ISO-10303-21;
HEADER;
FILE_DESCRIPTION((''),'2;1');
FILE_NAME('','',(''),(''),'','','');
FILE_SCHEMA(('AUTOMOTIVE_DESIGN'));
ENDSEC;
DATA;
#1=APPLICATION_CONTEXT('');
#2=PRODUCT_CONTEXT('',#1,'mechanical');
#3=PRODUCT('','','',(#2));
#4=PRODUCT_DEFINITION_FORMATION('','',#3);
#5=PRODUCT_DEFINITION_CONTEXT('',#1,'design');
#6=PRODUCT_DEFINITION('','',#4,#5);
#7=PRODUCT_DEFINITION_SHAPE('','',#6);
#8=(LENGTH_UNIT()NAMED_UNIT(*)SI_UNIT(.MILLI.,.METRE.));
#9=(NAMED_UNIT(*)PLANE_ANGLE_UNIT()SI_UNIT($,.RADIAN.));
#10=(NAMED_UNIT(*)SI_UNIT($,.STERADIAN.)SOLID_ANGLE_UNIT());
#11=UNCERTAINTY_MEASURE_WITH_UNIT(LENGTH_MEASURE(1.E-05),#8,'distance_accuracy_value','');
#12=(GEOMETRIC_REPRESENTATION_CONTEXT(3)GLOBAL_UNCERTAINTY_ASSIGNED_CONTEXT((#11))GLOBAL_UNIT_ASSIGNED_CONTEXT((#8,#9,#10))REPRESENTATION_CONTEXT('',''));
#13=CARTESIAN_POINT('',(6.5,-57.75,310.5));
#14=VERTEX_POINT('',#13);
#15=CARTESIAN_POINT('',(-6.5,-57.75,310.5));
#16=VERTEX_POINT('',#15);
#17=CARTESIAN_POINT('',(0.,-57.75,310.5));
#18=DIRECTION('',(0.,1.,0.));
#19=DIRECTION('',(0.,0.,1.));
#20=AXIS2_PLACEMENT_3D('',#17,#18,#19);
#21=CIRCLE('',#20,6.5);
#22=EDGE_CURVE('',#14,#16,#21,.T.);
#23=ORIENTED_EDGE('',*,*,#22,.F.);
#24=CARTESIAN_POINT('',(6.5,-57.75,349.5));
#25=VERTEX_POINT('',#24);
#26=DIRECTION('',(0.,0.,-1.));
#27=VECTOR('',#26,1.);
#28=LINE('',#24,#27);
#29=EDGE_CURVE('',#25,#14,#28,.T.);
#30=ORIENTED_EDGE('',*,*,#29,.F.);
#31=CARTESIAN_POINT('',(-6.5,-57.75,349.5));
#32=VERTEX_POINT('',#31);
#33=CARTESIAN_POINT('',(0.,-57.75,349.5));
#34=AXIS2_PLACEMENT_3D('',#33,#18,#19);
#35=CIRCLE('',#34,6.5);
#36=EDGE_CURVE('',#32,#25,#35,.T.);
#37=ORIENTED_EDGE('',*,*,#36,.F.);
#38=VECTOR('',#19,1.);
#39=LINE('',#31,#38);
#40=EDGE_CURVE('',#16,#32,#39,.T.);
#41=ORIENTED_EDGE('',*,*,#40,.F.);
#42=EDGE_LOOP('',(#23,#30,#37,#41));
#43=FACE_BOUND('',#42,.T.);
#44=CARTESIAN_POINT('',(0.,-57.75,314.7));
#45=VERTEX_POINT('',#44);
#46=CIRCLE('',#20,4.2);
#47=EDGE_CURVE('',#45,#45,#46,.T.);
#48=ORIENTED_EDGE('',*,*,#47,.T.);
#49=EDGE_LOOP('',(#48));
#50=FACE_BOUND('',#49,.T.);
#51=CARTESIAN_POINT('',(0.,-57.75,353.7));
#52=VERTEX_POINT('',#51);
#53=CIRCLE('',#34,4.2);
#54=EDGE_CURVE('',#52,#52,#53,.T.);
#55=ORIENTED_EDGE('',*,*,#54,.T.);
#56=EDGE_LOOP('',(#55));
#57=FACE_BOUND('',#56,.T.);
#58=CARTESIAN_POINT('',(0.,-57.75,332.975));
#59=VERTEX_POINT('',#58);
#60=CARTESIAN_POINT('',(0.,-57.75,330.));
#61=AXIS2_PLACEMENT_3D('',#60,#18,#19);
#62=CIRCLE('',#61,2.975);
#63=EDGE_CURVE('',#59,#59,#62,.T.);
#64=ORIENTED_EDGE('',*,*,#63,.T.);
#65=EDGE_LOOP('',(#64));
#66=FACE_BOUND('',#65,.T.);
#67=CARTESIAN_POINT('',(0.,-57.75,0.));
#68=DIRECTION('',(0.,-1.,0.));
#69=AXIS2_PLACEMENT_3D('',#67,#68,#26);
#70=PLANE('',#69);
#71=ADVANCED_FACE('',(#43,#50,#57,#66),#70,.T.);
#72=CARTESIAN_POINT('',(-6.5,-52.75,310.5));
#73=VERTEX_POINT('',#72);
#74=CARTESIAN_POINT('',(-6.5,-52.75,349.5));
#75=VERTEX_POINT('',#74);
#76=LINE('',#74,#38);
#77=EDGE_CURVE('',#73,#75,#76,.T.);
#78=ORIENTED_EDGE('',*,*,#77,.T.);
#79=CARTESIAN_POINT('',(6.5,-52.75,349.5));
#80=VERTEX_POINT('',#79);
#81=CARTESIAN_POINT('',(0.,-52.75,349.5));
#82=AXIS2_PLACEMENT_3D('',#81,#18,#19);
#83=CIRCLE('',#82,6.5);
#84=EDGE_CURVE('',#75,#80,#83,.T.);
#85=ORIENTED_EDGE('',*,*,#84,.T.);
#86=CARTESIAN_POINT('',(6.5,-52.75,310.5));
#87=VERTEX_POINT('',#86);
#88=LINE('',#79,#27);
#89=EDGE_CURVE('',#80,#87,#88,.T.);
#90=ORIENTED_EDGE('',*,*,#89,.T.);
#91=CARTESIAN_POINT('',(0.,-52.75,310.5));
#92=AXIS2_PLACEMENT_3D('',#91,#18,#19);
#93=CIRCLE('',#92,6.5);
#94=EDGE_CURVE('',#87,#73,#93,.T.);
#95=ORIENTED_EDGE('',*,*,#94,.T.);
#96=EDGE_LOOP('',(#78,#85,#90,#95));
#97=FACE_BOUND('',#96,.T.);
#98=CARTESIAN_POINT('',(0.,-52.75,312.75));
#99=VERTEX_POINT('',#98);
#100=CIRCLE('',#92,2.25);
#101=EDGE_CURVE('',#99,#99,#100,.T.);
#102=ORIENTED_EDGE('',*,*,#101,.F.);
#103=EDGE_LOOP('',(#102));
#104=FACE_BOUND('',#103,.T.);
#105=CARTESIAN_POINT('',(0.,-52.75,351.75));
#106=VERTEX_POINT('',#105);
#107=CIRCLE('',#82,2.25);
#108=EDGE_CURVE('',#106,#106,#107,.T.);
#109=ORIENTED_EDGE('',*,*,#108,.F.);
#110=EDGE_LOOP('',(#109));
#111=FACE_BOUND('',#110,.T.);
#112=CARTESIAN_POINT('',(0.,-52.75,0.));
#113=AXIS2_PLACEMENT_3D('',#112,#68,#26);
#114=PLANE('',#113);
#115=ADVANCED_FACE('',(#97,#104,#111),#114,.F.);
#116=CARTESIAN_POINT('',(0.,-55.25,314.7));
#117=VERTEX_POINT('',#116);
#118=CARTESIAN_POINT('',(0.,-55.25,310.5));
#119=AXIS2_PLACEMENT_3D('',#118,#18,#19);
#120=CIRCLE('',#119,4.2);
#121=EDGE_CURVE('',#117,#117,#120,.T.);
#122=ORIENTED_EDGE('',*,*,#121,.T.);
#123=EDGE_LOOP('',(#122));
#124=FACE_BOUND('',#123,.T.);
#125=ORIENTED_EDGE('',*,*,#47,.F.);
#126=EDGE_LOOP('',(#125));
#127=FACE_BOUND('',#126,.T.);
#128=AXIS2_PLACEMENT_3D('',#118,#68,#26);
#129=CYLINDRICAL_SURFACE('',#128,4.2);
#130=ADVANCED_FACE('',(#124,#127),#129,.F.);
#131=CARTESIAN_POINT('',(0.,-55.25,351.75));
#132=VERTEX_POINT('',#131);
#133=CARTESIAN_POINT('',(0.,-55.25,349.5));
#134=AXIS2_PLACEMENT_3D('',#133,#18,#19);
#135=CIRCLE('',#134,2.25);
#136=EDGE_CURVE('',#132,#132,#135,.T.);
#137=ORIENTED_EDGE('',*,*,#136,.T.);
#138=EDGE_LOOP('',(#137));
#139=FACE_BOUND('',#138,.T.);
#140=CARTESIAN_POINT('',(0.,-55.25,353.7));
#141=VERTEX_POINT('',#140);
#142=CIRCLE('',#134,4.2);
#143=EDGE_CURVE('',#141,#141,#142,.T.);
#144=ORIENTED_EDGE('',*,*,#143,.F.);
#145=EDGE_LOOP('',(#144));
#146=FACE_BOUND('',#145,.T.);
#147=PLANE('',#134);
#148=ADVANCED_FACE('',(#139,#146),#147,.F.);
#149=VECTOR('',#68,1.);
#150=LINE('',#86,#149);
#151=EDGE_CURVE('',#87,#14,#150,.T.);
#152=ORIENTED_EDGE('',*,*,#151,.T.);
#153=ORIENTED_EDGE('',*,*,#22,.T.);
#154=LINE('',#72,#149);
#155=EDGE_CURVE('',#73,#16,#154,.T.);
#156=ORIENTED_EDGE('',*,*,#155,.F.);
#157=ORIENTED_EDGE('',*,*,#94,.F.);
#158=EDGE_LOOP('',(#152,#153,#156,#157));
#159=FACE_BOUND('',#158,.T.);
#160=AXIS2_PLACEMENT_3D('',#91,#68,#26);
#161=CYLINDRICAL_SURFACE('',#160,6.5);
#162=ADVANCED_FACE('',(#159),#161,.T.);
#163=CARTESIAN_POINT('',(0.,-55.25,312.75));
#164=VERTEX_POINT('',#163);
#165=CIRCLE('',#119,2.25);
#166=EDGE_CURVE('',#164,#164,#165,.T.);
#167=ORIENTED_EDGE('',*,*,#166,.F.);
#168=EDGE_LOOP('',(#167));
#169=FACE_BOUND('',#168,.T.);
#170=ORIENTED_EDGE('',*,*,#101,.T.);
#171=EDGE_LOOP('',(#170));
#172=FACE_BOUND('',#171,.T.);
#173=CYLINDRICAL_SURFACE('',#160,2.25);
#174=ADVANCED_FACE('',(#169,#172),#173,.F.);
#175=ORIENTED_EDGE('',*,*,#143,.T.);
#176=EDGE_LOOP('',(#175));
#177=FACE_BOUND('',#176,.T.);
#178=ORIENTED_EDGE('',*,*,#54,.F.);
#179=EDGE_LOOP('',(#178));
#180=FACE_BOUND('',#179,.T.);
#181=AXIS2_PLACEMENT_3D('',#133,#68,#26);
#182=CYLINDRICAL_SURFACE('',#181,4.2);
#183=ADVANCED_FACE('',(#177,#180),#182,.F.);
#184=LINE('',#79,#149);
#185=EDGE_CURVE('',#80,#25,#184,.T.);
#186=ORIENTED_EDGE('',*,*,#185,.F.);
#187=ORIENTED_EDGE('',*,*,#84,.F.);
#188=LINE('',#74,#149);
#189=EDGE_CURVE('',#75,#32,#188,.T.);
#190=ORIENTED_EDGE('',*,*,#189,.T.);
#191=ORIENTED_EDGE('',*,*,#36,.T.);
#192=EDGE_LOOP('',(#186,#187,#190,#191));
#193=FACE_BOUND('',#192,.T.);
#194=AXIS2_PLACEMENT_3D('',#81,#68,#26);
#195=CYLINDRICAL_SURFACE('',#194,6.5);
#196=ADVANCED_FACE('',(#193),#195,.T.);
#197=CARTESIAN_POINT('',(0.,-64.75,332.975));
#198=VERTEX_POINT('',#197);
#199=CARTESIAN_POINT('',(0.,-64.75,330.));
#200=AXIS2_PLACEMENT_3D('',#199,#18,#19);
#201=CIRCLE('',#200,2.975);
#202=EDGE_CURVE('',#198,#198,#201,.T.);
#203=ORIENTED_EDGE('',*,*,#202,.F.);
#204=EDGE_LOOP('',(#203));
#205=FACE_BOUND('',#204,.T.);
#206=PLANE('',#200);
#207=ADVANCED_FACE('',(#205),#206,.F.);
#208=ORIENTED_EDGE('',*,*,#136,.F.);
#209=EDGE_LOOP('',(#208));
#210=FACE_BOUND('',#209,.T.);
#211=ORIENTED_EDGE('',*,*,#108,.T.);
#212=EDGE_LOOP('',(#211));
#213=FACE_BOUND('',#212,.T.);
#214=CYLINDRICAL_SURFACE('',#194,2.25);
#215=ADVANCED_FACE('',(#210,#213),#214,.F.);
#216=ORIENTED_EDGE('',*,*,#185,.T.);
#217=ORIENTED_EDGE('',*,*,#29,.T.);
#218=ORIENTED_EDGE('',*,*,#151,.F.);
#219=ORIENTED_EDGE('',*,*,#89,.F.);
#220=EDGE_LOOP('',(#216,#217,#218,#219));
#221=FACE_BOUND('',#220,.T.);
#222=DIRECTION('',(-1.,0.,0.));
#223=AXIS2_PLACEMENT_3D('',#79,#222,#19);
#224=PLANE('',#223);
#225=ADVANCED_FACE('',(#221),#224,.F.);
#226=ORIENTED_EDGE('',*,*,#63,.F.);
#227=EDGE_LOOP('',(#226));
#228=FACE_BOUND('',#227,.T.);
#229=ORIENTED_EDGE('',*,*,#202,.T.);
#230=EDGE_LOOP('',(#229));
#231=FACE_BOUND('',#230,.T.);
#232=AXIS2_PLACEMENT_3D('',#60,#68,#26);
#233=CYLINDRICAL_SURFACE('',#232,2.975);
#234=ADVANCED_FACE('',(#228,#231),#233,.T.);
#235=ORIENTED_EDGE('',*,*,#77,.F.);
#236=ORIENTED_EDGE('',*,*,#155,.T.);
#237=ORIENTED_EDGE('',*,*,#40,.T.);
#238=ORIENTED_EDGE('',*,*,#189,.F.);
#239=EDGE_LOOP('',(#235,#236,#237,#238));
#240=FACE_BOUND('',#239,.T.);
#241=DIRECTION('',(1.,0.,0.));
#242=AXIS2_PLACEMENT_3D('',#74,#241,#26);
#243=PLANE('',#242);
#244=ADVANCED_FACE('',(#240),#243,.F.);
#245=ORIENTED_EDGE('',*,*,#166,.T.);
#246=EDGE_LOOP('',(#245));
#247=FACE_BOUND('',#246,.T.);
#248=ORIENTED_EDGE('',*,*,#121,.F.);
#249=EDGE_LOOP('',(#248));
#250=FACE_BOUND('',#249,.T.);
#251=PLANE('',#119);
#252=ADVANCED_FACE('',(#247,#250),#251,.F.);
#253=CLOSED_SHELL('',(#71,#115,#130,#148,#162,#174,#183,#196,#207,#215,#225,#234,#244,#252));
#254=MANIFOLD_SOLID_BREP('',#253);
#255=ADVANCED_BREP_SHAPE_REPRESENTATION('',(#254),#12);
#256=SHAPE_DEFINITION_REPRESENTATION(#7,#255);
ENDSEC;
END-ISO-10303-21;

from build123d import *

# Parameters (mm, degrees)
BARRA_START         = -57.75
SK_BARRA_W          = 13
SK_BARRA_H          = 39
BARRA_DEPTH         = 5
EXTREMOS_START      = -57.75
SK_EXTREMOS_R       = 6.5
EXTREMOS_DEPTH      = 5
PERNO_696_START     = -64.75
SK_PERNO_696_R      = 2.975
PERNO_696_DEPTH     = 7
PASANTES_M4_START   = -57.75
SK_PASANTES_M4_R    = 2.25
PASANTES_M4_DEPTH   = 5
AVELLANADO_M4_START = -57.75
SK_AVELLANADO_M4_R  = 4.2
AVELLANADO_M4_DEPTH = 2.5


with BuildPart() as part:
    # Sk_Barra → Barra (new body)
    with BuildSketch(Plane(origin=(0, 0, 0), x_dir=(1, 0, 0), z_dir=(0, 1, 0)).offset(BARRA_START)):
        with Locations((0, -330)):
            Rectangle(SK_BARRA_W, SK_BARRA_H)
    extrude(amount=BARRA_DEPTH)

    # Sk_Extremos → Extremos (add)
    with BuildSketch(Plane(origin=(0, 0, 0), x_dir=(1, 0, 0), z_dir=(0, 1, 0)).offset(EXTREMOS_START)):
        with Locations((0, -310.5)):
            Circle(SK_EXTREMOS_R)
        with Locations((0, -349.5)):
            Circle(SK_EXTREMOS_R)
    extrude(amount=EXTREMOS_DEPTH)

    # Sk_Perno_696 → Perno_696 (add)
    with BuildSketch(Plane(origin=(0, 0, 0), x_dir=(1, 0, 0), z_dir=(0, 1, 0)).offset(PERNO_696_START)):
        with Locations(Location((0, -330, 0), (0, 0, 270))):
            Circle(SK_PERNO_696_R)
    extrude(amount=PERNO_696_DEPTH)

    # Sk_Pasantes_M4 → Pasantes_M4 (cut)
    with BuildSketch(Plane(origin=(0, 0, 0), x_dir=(1, 0, 0), z_dir=(0, 1, 0)).offset(PASANTES_M4_START)):
        with Locations(Location((0, -310.5, 0), (0, 0, 270))):
            Circle(SK_PASANTES_M4_R)
        with Locations(Location((0, -349.5, 0), (0, 0, 270))):
            Circle(SK_PASANTES_M4_R)
    extrude(amount=PASANTES_M4_DEPTH, mode=Mode.SUBTRACT)

    # Sk_Avellanado_M4 → Avellanado_M4 (cut)
    with BuildSketch(Plane(origin=(0, 0, 0), x_dir=(1, 0, 0), z_dir=(0, 1, 0)).offset(AVELLANADO_M4_START)):
        with Locations(Location((0, -310.5, 0), (0, 0, 270))):
            Circle(SK_AVELLANADO_M4_R)
        with Locations(Location((0, -349.5, 0), (0, 0, 270))):
            Circle(SK_AVELLANADO_M4_R)
    extrude(amount=AVELLANADO_M4_DEPTH, mode=Mode.SUBTRACT)


solid = part.part
